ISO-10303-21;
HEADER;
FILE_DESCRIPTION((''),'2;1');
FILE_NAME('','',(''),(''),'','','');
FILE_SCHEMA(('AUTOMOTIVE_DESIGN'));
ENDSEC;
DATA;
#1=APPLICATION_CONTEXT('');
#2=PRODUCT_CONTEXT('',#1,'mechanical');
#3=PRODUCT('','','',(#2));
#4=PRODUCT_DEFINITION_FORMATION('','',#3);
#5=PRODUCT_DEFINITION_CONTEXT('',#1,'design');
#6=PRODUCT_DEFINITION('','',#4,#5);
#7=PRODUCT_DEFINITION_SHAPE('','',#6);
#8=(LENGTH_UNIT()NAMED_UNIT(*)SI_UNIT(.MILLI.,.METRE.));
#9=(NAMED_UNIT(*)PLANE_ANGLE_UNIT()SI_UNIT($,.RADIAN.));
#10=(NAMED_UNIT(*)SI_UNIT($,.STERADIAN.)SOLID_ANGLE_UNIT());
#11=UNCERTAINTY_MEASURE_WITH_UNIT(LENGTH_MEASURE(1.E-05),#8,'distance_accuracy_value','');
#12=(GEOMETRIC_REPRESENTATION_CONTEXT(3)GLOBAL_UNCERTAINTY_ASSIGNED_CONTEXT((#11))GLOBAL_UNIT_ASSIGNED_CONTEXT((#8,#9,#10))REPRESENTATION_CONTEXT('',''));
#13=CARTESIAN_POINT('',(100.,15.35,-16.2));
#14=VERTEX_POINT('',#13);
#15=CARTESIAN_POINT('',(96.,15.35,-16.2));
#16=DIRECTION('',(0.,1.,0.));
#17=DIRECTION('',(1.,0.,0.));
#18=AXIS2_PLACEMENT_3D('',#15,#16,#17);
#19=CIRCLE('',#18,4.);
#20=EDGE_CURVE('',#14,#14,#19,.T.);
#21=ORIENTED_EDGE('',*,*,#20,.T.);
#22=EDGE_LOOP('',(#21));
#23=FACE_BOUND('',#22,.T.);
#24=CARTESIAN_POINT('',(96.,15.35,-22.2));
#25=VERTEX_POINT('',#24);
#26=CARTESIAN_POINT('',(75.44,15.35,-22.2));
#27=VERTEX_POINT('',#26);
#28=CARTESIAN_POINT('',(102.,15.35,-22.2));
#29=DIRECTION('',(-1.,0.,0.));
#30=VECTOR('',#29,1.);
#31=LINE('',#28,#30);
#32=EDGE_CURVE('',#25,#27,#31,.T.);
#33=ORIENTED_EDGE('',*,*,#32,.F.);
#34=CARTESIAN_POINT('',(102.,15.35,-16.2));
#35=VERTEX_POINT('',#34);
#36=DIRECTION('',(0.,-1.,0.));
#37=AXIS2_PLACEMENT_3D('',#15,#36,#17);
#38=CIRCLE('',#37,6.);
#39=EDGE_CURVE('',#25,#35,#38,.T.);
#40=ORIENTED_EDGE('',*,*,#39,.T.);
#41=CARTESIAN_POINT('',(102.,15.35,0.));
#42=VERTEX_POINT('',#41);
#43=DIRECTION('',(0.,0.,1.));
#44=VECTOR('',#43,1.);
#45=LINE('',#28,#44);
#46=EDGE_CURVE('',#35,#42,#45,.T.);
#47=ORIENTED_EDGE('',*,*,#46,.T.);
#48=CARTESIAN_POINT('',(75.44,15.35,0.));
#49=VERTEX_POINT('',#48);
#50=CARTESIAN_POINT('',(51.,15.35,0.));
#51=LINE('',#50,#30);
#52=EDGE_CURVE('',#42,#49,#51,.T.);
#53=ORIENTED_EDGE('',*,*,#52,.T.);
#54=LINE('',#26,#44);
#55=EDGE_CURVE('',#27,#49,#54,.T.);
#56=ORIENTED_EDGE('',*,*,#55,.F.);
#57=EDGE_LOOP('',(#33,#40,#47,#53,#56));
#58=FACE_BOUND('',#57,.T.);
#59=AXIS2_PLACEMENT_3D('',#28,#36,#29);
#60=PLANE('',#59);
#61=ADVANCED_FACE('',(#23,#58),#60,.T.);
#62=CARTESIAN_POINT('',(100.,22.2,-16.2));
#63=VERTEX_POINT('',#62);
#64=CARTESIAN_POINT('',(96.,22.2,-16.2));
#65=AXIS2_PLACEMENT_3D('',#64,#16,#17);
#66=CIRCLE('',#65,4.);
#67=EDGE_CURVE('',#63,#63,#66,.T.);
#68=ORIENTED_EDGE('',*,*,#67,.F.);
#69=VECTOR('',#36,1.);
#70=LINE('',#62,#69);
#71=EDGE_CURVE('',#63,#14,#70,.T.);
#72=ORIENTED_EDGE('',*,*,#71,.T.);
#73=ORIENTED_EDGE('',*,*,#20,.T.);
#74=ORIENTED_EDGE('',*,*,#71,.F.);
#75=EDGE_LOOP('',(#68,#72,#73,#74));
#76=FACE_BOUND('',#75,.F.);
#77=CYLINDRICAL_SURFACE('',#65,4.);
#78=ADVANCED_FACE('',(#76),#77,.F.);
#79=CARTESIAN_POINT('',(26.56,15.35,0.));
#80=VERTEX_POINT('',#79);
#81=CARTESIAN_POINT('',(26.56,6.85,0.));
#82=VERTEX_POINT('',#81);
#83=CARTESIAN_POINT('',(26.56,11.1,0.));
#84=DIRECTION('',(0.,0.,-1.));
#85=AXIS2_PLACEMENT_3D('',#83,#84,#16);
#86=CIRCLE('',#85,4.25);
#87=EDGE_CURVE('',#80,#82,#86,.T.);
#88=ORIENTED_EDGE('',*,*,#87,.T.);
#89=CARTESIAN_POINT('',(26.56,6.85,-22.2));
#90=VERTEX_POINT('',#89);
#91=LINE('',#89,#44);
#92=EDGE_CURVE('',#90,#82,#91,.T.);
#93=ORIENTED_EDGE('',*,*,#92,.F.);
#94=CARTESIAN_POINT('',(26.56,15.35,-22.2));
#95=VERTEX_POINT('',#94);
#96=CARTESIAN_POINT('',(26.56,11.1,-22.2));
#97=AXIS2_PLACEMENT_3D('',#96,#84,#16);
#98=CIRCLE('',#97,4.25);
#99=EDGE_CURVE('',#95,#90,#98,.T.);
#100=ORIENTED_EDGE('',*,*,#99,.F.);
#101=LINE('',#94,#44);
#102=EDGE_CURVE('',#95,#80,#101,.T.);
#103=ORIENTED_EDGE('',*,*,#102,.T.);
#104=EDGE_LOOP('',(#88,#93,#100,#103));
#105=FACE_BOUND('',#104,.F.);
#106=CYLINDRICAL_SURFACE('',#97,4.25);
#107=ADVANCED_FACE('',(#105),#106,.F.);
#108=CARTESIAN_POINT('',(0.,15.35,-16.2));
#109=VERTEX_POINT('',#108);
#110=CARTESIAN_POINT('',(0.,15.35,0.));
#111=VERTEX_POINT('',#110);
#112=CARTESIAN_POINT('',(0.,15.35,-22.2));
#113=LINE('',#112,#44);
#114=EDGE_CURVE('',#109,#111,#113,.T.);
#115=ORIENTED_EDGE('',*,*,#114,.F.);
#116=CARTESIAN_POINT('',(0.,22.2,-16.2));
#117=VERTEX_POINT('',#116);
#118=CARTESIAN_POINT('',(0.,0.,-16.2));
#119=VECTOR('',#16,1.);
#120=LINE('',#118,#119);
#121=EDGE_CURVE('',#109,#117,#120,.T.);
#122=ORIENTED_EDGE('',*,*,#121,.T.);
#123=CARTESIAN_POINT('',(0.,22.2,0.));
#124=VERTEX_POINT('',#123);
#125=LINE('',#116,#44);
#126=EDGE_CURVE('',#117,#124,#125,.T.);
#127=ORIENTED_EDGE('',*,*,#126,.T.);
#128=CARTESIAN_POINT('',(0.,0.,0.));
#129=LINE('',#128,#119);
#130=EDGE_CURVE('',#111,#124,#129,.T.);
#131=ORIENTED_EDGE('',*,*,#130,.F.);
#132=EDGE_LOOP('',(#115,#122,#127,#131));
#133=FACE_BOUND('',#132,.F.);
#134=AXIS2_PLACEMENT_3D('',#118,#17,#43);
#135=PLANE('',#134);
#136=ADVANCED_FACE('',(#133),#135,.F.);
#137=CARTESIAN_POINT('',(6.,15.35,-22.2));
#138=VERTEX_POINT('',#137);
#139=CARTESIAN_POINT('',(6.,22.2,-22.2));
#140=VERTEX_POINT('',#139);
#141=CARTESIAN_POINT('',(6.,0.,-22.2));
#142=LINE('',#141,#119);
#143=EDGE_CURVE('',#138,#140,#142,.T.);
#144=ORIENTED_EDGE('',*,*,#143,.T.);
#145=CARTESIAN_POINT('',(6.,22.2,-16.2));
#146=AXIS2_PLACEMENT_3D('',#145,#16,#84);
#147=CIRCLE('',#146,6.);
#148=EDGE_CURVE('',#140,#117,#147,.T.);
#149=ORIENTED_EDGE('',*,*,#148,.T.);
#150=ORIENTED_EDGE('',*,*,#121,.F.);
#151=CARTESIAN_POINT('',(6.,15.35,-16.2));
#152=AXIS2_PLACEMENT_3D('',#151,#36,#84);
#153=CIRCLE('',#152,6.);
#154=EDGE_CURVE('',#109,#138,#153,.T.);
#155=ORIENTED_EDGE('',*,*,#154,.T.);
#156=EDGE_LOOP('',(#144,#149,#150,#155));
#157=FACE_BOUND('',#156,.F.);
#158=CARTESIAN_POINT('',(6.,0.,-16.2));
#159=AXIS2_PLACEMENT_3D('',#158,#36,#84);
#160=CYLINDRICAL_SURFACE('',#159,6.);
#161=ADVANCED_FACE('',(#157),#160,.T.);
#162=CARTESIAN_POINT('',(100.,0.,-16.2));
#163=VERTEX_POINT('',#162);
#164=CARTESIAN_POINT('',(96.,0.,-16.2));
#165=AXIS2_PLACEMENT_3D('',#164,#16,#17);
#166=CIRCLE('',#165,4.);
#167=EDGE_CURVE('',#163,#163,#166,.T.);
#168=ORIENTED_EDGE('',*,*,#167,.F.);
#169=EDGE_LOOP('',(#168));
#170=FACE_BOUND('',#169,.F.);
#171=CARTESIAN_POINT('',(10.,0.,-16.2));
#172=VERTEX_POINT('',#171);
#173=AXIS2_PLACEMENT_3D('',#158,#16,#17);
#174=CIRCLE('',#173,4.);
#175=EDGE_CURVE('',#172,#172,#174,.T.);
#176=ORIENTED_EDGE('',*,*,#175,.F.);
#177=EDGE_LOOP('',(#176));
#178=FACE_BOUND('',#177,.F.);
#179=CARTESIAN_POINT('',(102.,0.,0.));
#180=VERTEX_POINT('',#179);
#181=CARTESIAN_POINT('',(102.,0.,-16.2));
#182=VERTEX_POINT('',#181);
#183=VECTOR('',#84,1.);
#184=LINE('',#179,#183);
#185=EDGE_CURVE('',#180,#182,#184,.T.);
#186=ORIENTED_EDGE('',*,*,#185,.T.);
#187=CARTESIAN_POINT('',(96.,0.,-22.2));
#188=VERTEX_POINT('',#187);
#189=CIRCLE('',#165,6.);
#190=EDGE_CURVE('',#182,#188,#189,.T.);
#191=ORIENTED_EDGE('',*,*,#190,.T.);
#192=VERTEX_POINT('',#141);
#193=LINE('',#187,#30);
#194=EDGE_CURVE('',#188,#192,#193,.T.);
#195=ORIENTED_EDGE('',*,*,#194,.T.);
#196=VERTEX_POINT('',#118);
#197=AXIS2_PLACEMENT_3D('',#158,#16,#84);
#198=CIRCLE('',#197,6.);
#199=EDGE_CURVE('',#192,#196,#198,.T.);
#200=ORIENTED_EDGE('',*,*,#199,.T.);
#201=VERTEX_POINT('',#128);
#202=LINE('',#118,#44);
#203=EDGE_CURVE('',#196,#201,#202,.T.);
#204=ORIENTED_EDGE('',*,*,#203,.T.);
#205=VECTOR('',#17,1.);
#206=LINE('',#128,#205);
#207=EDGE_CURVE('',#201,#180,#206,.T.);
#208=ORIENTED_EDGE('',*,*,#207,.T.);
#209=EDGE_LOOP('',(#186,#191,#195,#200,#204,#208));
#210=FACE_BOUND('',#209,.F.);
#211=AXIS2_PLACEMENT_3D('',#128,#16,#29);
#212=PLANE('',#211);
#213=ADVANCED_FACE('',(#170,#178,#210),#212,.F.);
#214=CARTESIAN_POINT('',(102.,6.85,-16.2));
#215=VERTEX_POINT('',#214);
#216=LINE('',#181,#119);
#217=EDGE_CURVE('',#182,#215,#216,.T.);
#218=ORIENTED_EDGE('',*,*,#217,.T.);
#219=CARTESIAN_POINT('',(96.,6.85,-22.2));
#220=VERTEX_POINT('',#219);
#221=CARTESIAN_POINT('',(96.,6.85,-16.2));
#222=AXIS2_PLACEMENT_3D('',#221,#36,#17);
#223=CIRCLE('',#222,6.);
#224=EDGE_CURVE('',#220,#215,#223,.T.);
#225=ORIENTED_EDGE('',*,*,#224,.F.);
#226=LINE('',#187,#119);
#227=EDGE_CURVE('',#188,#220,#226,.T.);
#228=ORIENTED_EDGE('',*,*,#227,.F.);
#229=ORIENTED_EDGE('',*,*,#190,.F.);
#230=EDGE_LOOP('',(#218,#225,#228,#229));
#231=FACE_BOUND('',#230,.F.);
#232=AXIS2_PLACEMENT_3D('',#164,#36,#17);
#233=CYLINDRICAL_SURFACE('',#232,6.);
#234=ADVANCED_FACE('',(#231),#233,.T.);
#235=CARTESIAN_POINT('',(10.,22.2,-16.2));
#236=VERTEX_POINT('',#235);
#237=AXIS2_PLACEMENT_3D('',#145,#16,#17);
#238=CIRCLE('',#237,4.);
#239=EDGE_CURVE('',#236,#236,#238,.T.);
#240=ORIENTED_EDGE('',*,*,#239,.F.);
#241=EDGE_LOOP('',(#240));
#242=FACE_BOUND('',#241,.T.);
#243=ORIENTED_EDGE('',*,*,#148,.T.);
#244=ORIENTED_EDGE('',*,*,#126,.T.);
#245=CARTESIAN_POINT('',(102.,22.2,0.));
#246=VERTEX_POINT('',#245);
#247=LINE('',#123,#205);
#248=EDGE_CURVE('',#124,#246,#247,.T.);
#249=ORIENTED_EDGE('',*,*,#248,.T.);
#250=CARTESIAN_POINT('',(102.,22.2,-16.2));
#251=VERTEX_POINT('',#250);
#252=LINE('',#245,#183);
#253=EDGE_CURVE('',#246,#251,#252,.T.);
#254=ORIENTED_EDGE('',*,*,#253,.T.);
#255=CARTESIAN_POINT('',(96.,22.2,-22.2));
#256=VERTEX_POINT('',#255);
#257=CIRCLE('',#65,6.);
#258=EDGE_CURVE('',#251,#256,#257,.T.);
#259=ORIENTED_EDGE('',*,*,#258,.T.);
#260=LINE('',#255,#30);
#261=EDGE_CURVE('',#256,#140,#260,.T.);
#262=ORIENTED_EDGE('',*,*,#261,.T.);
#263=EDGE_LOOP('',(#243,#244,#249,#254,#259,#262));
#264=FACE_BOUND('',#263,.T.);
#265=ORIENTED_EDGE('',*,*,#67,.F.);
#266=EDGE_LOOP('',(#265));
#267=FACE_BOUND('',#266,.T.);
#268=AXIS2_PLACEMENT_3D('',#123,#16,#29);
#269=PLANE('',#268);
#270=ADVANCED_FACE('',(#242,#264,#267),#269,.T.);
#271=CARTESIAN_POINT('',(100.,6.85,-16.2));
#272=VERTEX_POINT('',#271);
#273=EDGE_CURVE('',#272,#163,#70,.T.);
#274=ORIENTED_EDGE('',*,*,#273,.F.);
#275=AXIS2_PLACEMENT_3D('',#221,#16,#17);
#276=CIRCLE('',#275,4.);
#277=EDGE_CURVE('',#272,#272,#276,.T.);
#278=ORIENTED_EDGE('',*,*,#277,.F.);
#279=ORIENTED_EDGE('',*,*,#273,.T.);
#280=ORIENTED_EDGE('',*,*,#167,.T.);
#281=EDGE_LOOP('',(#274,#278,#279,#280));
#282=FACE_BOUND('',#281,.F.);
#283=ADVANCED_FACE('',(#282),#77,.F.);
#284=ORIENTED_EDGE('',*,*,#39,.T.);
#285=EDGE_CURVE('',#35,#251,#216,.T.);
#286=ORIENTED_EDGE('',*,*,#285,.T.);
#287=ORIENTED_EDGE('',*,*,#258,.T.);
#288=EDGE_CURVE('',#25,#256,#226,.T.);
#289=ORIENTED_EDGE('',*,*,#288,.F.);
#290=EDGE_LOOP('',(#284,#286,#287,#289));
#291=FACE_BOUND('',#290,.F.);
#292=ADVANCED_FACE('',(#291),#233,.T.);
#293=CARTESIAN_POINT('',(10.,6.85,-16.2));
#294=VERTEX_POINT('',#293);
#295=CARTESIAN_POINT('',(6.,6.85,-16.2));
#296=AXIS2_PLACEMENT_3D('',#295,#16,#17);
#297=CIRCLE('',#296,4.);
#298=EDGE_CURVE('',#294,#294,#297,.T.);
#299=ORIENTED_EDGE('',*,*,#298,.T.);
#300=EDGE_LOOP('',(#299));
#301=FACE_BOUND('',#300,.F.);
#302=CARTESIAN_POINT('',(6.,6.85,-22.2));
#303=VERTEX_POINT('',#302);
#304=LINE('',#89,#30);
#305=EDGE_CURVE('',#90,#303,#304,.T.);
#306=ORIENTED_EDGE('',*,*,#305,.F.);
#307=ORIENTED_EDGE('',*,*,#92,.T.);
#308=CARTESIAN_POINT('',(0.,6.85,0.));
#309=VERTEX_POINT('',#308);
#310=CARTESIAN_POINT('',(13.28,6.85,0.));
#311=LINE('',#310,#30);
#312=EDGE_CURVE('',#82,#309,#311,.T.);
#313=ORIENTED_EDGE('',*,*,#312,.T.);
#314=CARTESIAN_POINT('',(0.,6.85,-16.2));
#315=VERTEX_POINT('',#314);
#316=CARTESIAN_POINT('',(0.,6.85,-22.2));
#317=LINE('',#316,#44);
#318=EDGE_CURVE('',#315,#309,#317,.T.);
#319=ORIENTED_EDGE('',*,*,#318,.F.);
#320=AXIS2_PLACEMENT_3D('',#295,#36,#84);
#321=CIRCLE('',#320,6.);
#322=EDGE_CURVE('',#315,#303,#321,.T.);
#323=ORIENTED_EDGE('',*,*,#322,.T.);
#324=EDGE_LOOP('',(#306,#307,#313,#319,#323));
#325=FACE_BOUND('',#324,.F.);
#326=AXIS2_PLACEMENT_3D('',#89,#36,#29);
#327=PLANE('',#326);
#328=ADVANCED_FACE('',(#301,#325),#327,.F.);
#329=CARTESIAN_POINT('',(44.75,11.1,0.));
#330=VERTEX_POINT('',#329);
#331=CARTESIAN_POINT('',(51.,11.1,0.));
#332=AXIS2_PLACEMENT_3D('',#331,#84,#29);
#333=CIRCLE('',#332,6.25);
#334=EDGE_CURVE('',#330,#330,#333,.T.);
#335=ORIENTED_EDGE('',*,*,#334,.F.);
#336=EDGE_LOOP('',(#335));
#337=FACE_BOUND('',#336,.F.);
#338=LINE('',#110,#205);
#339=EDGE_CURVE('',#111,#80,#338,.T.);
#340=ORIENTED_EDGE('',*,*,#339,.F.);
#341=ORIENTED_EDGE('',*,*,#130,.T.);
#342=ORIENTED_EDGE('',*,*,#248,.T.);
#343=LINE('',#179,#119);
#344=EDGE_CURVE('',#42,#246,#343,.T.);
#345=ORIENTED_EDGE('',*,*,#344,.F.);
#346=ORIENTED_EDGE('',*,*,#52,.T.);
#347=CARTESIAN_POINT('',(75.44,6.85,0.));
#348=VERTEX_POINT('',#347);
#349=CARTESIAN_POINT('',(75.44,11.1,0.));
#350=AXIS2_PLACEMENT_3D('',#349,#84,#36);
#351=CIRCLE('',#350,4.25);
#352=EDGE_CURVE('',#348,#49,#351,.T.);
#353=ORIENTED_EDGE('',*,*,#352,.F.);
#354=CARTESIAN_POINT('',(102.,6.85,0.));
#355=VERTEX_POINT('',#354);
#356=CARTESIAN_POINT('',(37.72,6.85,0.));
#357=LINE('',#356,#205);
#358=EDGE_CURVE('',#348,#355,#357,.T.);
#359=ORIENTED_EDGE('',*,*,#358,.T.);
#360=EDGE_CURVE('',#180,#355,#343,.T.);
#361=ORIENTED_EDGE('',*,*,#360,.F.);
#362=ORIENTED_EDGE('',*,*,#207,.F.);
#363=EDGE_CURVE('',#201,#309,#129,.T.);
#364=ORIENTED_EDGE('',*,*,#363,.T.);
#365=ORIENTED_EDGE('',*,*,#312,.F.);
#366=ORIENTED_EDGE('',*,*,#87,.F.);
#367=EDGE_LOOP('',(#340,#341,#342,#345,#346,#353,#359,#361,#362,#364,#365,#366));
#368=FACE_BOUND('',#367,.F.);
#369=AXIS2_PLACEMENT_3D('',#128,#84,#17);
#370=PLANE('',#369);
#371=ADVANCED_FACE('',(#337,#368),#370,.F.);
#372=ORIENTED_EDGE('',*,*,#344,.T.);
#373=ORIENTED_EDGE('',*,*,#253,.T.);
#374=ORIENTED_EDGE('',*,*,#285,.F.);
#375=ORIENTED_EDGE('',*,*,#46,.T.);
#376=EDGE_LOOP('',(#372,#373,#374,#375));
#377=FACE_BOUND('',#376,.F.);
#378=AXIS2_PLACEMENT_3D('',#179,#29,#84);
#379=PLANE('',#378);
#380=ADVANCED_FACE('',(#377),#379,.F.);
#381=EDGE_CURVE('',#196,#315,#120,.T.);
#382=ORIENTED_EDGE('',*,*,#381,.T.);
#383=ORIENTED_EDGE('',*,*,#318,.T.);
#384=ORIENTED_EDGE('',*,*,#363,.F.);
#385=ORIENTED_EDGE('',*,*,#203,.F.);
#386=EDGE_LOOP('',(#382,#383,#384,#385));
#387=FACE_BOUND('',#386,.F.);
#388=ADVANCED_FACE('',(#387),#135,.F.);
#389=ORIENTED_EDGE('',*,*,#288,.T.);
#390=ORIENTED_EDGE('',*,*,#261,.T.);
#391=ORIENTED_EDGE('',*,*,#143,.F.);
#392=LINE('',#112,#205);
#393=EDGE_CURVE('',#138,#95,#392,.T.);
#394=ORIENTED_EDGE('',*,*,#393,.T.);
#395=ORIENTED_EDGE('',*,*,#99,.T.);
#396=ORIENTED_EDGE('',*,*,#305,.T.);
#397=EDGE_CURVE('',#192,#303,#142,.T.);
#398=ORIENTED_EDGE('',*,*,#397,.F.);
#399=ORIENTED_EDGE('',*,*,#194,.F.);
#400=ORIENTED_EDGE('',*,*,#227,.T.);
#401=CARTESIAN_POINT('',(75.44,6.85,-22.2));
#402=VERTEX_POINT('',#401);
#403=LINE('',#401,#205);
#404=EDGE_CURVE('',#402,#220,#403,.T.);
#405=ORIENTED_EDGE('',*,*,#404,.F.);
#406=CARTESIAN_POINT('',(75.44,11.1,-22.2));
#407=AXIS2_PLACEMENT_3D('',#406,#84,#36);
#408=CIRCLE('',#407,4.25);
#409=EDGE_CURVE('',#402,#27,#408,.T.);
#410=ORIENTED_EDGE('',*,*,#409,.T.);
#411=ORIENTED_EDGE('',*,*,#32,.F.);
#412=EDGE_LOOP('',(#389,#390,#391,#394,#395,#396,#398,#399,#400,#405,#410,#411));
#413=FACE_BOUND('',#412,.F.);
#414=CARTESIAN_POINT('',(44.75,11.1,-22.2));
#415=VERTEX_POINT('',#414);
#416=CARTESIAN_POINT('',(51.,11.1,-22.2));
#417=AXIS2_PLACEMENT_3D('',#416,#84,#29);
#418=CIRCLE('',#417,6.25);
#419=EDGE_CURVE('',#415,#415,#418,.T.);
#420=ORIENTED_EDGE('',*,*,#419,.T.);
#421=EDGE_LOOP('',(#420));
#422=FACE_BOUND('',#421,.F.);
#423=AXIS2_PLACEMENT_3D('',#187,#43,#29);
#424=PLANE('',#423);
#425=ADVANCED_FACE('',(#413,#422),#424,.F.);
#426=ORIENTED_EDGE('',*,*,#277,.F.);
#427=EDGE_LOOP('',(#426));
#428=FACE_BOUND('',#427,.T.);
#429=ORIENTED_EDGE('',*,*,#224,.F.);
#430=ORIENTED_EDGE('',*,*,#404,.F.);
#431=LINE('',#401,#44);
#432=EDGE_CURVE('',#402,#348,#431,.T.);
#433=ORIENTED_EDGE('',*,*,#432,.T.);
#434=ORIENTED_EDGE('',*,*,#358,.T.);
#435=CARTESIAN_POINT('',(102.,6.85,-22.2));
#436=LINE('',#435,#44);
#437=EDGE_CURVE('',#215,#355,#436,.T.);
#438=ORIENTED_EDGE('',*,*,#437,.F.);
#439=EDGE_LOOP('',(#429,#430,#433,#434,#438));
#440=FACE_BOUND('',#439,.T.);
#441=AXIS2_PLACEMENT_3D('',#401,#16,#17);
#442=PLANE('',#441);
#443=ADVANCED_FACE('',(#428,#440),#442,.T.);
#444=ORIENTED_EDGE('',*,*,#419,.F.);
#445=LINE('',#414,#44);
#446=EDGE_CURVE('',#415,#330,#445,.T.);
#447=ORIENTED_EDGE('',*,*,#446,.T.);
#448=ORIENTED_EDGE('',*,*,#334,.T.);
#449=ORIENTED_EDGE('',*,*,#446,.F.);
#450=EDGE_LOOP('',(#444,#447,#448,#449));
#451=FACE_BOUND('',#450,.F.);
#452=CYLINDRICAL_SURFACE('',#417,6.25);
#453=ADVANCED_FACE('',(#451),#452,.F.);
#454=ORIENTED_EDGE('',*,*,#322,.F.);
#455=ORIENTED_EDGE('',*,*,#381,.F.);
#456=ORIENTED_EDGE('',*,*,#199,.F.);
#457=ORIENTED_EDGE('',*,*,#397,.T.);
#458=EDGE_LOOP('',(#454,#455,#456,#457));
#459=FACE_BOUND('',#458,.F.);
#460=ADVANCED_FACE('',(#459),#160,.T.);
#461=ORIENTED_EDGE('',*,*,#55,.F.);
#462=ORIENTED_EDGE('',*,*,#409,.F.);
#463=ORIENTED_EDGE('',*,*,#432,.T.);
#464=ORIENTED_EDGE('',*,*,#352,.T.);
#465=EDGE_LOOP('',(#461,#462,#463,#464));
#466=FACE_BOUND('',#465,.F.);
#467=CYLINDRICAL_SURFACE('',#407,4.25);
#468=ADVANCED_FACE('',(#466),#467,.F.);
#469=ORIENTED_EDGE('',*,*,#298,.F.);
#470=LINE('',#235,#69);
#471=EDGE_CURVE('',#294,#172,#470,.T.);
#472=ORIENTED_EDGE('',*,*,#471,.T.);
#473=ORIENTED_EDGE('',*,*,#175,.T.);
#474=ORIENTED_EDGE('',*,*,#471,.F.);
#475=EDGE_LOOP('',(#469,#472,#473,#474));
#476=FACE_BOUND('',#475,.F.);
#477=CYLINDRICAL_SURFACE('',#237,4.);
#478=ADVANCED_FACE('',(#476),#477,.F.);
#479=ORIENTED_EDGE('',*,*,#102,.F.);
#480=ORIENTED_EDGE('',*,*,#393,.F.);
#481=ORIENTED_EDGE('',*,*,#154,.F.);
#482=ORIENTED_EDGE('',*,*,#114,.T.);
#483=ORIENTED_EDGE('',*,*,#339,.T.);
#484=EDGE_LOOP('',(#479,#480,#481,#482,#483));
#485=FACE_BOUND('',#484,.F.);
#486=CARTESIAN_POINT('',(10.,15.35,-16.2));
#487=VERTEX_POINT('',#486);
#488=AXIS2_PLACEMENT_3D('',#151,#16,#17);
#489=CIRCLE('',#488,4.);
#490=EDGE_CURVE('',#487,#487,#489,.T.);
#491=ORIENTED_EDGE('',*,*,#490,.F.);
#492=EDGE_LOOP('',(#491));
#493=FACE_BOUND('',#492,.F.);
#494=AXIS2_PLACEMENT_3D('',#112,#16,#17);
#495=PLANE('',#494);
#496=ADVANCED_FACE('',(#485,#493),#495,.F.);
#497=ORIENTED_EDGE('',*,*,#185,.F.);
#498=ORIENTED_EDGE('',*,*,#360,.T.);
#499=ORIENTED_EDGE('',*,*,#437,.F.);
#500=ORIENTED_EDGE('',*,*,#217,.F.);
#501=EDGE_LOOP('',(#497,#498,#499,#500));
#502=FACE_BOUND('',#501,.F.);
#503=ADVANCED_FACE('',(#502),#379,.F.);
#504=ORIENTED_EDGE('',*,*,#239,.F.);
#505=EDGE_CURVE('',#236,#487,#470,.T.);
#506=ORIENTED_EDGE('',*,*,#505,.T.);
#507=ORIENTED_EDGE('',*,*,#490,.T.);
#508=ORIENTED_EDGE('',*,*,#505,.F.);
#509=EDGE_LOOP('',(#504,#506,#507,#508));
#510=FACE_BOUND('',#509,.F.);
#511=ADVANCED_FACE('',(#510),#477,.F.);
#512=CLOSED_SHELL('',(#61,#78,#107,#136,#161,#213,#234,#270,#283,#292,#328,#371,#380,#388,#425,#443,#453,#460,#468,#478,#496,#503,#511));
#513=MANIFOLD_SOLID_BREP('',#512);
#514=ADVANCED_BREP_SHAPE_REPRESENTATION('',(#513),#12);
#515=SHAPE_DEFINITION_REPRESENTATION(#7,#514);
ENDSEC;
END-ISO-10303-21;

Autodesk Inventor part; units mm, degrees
ref_plane "YZ Plane" through (0, 0, 0) normal (1, 0, 0) x (0, 1, 0)
ref_plane "XZ Plane" through (0, 0, 0) normal (0, 1, 0) x (-1, 0, 0)
ref_plane "XY Plane" through (0, 0, 0) normal (0, 0, 1) x (1, 0, 0)
sketch "Boceto1" plane through (0, 0, 0) normal (0, 1, 0) x (-1, 0, 0)
  line L0 (0, 0) -> (-102, 0)
  line L1 (-102, 0) -> (-102, -16.2)
  line L2 (-96, -22.2) -> (-6, -22.2)
  line L3 (0, -16.2) -> (0, 0)
  arc A0 (-102, -16.2) -> (-96, -22.2) centre (-96, -16.2) ccw
  arc A1 (-6, -22.2) -> (0, -16.2) centre (-6, -16.2) ccw
  line L4 (0, 0) -> (-51, 0) construction
  line L5 (-51, 0) -> (-51, -11.1) construction
  circle A2 centre (-6, -16.2) radius 4
  circle A3 centre (-96, -16.2) radius 4
  dimension "d0" = 6
  dimension "d1" = 102
  dimension "d2" = 22.2
  dimension "d3" = 51
  dimension "d4" = 11.1
  dimension "d5" = 8
  dimension "d6" = 8
extrude "Extrusión1" add sketch "Boceto1" along normal blind 22.2 contours L3 A1 L2 A0 L1 L0 | A2 | A3
sketch "Boceto2" plane through (0, 22.2, 0) normal (0, 1, 0) x (1, 0, 0)
  arc A0 (6, 22.2) -> (0, 16.2) centre (6, 16.2) ccw projected
  circle A1 centre (6, 16.2) radius 4
  arc A2 (102, 16.2) -> (96, 22.2) centre (96, 16.2) ccw projected
  circle A3 centre (96, 16.2) radius 4
  point P0 (0, 0)
  dimension "d9" = 8
  dimension "d10" = 8
extrude "Extrusión2" cut sketch "Boceto2" against normal through all
sketch "Boceto3" plane through (96, 0, -22.2) normal (0, 0, -1) x (-1, 0, 0)
  line L0 (-6, 0) -> (-6, 22.2) projected
  line L1 (96, 0) -> (96, 22.2) projected
  line L2 (0, 0) -> (90, 0) projected
  line L3 (0, 22.2) -> (90, 22.2) projected
  line L4 (96, 22.2) -> (90, 22.2) projected
  line L5 (96, 0) -> (90, 0) projected
  line L6 (0, 0) -> (-6, 0) projected
  line L7 (0, 22.2) -> (-6, 22.2) projected
  line L8 (-6, 0) -> (45, 0) construction
  line L9 (45, 0) -> (45, 11.1) construction
  arc A0 (69.44, 15.35) -> (69.44, 6.85) centre (69.44, 11.1) ccw
  line L10 (69.44, 6.85) -> (96, 6.85)
  line L11 (96, 15.35) -> (69.44, 15.35)
  arc A1 (20.56, 6.85) -> (20.56, 15.35) centre (20.56, 11.1) ccw
  line L12 (20.56, 6.85) -> (-6, 6.85)
  line L13 (-6, 15.35) -> (20.56, 15.35)
  circle A2 centre (45, 11.1) radius 6.25
  dimension "d13" = 51
  dimension "d14" = 11.1
  dimension "d15" = 8.5
  dimension "d16" = 26.56
  dimension "d17" = 12.5
extrude "Extrusión3" cut sketch "Boceto3" against normal through all contours L0 L13 A1 L12 | L10 A0 L11 L1 | A2
equation "\"Radio_pliegue\" = Grosor"
equation "\"Anchura_desahogo_plegado\" = Grosor"
equation "\"Profundidad_desahogo_plegado\" = 0.5 * Grosor"
equation "\"Tamaño_destalonado\" = 4 * Grosor"
equation "\"Remanente_mínimo\" = 2 * Grosor"
equation "\"Radiodetransición\" = Radio_pliegue"
equation "\"Tamaño_de_radio_de_Jacobi\" = Radio_pliegue"
equation "\"TamañoSeparación\" = Grosor"
equation "\"Grosor\" = 0.5"
properties part number "Practica 7" material "Hierro, gris"
